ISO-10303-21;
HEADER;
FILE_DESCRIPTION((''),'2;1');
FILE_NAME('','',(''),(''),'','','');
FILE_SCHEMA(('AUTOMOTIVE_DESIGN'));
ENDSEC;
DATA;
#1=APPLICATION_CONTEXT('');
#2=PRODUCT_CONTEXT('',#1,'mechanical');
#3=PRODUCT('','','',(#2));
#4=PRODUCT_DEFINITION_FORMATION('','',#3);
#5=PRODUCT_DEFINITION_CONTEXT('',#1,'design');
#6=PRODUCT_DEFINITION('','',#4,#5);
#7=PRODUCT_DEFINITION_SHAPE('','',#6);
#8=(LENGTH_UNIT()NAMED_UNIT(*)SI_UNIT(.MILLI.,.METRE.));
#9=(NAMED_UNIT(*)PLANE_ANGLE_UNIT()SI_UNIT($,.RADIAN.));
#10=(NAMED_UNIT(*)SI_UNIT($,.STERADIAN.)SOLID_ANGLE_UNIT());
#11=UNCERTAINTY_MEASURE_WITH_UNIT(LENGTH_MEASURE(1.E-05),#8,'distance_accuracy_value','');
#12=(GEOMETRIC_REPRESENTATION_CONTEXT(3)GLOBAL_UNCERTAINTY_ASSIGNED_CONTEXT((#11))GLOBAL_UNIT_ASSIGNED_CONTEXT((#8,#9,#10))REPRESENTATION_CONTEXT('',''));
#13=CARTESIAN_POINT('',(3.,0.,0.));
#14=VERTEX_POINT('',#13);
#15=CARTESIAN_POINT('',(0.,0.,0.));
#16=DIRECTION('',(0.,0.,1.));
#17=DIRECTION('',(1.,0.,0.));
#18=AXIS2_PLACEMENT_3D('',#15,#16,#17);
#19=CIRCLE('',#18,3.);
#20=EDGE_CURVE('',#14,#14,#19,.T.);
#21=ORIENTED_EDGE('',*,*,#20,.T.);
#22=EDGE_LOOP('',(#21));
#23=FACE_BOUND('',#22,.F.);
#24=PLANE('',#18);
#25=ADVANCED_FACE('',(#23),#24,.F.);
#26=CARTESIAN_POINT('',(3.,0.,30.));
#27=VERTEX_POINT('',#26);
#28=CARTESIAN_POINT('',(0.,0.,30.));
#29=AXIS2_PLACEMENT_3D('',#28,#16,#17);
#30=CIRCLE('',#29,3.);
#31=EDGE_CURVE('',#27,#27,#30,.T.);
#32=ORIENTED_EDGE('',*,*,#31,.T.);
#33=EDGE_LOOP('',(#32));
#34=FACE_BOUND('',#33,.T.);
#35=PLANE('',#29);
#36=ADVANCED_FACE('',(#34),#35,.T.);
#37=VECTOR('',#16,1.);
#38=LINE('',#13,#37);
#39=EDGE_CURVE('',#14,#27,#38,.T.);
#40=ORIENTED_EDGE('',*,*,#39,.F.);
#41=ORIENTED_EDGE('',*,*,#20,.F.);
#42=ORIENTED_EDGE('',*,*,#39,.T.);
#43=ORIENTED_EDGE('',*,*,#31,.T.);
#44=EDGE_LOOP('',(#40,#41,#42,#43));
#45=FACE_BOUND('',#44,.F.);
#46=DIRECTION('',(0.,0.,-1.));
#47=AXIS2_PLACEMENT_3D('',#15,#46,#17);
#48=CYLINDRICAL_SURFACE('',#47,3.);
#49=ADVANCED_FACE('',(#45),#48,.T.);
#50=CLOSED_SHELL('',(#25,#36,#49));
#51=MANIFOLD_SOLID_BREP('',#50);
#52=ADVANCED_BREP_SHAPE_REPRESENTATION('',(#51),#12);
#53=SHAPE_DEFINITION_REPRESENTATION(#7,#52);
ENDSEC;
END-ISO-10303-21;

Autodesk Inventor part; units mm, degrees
ref_plane "YZ Plane" through (0, 0, 0) normal (1, 0, 0) x (0, 1, 0)
ref_plane "XZ Plane" through (0, 0, 0) normal (0, 1, 0) x (-1, 0, 0)
ref_plane "XY Plane" through (0, 0, 0) normal (0, 0, 1) x (1, 0, 0)
sketch "スケッチ1" plane through (0, 0, 0) normal (0, 0, 1) x (1, 0, 0)
  circle A0 centre (0, 0) radius 3
  dimension "d0" = 6
extrude "押し出し1" add sketch "スケッチ1" along normal blind 30
properties part number "shaft10_30mm" material "アルミニウム 6061"
